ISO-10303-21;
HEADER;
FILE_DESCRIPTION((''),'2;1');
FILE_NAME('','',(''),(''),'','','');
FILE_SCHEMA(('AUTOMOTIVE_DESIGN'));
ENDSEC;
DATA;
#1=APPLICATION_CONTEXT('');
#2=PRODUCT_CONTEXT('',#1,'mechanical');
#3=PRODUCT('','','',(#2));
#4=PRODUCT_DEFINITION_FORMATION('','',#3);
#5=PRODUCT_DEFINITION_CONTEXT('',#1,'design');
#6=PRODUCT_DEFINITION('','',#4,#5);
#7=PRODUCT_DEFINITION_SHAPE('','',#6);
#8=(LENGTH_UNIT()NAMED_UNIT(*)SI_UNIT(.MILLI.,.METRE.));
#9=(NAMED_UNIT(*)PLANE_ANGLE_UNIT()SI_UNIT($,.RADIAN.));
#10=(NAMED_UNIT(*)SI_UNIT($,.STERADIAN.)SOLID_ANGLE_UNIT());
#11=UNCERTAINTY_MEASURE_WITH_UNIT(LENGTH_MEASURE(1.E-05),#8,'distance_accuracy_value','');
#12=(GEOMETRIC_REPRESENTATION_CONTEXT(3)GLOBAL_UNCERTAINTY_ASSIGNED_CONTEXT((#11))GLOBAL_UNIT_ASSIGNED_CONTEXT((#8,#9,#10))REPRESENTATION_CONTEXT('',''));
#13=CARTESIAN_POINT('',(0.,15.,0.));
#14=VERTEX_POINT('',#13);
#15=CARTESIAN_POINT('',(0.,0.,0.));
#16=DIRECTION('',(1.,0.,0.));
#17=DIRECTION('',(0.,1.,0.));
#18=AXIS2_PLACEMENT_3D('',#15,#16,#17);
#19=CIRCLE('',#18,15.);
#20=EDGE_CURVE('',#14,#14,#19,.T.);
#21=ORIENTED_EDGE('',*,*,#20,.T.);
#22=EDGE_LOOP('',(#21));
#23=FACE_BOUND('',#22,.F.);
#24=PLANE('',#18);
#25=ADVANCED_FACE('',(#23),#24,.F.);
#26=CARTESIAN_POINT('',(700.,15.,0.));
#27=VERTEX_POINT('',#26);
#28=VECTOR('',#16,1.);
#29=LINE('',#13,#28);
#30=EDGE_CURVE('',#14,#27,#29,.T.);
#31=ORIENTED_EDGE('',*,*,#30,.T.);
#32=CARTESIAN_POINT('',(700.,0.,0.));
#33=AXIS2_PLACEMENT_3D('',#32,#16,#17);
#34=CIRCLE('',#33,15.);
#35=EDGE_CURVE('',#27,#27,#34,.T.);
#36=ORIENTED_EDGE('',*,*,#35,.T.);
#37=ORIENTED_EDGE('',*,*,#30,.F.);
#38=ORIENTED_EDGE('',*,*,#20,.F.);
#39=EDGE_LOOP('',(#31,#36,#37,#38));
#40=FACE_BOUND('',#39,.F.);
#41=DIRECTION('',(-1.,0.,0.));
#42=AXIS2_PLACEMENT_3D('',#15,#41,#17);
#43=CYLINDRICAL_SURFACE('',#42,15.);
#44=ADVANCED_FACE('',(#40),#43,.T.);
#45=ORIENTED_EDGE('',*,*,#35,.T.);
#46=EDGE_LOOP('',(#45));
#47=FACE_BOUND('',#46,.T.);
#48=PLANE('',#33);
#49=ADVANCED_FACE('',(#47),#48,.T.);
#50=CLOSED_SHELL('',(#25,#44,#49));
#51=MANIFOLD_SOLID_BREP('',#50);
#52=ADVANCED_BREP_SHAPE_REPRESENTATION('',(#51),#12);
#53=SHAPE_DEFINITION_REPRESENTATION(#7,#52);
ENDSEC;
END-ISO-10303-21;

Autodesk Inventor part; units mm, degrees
ref_plane "YZ Plane" through (0, 0, 0) normal (1, 0, 0) x (0, 1, 0)
ref_plane "XZ Plane" through (0, 0, 0) normal (0, 1, 0) x (-1, 0, 0)
ref_plane "XY Plane" through (0, 0, 0) normal (0, 0, 1) x (1, 0, 0)
sketch "草圖1" plane through (0, 0, 0) normal (1, 0, 0) x (0, 1, 0)
  circle A0 centre (0, 0) radius 15
  dimension "d0" = 30
extrude "擠出1" add sketch "草圖1" along normal blind 700
properties part number "夾緊船動感"
